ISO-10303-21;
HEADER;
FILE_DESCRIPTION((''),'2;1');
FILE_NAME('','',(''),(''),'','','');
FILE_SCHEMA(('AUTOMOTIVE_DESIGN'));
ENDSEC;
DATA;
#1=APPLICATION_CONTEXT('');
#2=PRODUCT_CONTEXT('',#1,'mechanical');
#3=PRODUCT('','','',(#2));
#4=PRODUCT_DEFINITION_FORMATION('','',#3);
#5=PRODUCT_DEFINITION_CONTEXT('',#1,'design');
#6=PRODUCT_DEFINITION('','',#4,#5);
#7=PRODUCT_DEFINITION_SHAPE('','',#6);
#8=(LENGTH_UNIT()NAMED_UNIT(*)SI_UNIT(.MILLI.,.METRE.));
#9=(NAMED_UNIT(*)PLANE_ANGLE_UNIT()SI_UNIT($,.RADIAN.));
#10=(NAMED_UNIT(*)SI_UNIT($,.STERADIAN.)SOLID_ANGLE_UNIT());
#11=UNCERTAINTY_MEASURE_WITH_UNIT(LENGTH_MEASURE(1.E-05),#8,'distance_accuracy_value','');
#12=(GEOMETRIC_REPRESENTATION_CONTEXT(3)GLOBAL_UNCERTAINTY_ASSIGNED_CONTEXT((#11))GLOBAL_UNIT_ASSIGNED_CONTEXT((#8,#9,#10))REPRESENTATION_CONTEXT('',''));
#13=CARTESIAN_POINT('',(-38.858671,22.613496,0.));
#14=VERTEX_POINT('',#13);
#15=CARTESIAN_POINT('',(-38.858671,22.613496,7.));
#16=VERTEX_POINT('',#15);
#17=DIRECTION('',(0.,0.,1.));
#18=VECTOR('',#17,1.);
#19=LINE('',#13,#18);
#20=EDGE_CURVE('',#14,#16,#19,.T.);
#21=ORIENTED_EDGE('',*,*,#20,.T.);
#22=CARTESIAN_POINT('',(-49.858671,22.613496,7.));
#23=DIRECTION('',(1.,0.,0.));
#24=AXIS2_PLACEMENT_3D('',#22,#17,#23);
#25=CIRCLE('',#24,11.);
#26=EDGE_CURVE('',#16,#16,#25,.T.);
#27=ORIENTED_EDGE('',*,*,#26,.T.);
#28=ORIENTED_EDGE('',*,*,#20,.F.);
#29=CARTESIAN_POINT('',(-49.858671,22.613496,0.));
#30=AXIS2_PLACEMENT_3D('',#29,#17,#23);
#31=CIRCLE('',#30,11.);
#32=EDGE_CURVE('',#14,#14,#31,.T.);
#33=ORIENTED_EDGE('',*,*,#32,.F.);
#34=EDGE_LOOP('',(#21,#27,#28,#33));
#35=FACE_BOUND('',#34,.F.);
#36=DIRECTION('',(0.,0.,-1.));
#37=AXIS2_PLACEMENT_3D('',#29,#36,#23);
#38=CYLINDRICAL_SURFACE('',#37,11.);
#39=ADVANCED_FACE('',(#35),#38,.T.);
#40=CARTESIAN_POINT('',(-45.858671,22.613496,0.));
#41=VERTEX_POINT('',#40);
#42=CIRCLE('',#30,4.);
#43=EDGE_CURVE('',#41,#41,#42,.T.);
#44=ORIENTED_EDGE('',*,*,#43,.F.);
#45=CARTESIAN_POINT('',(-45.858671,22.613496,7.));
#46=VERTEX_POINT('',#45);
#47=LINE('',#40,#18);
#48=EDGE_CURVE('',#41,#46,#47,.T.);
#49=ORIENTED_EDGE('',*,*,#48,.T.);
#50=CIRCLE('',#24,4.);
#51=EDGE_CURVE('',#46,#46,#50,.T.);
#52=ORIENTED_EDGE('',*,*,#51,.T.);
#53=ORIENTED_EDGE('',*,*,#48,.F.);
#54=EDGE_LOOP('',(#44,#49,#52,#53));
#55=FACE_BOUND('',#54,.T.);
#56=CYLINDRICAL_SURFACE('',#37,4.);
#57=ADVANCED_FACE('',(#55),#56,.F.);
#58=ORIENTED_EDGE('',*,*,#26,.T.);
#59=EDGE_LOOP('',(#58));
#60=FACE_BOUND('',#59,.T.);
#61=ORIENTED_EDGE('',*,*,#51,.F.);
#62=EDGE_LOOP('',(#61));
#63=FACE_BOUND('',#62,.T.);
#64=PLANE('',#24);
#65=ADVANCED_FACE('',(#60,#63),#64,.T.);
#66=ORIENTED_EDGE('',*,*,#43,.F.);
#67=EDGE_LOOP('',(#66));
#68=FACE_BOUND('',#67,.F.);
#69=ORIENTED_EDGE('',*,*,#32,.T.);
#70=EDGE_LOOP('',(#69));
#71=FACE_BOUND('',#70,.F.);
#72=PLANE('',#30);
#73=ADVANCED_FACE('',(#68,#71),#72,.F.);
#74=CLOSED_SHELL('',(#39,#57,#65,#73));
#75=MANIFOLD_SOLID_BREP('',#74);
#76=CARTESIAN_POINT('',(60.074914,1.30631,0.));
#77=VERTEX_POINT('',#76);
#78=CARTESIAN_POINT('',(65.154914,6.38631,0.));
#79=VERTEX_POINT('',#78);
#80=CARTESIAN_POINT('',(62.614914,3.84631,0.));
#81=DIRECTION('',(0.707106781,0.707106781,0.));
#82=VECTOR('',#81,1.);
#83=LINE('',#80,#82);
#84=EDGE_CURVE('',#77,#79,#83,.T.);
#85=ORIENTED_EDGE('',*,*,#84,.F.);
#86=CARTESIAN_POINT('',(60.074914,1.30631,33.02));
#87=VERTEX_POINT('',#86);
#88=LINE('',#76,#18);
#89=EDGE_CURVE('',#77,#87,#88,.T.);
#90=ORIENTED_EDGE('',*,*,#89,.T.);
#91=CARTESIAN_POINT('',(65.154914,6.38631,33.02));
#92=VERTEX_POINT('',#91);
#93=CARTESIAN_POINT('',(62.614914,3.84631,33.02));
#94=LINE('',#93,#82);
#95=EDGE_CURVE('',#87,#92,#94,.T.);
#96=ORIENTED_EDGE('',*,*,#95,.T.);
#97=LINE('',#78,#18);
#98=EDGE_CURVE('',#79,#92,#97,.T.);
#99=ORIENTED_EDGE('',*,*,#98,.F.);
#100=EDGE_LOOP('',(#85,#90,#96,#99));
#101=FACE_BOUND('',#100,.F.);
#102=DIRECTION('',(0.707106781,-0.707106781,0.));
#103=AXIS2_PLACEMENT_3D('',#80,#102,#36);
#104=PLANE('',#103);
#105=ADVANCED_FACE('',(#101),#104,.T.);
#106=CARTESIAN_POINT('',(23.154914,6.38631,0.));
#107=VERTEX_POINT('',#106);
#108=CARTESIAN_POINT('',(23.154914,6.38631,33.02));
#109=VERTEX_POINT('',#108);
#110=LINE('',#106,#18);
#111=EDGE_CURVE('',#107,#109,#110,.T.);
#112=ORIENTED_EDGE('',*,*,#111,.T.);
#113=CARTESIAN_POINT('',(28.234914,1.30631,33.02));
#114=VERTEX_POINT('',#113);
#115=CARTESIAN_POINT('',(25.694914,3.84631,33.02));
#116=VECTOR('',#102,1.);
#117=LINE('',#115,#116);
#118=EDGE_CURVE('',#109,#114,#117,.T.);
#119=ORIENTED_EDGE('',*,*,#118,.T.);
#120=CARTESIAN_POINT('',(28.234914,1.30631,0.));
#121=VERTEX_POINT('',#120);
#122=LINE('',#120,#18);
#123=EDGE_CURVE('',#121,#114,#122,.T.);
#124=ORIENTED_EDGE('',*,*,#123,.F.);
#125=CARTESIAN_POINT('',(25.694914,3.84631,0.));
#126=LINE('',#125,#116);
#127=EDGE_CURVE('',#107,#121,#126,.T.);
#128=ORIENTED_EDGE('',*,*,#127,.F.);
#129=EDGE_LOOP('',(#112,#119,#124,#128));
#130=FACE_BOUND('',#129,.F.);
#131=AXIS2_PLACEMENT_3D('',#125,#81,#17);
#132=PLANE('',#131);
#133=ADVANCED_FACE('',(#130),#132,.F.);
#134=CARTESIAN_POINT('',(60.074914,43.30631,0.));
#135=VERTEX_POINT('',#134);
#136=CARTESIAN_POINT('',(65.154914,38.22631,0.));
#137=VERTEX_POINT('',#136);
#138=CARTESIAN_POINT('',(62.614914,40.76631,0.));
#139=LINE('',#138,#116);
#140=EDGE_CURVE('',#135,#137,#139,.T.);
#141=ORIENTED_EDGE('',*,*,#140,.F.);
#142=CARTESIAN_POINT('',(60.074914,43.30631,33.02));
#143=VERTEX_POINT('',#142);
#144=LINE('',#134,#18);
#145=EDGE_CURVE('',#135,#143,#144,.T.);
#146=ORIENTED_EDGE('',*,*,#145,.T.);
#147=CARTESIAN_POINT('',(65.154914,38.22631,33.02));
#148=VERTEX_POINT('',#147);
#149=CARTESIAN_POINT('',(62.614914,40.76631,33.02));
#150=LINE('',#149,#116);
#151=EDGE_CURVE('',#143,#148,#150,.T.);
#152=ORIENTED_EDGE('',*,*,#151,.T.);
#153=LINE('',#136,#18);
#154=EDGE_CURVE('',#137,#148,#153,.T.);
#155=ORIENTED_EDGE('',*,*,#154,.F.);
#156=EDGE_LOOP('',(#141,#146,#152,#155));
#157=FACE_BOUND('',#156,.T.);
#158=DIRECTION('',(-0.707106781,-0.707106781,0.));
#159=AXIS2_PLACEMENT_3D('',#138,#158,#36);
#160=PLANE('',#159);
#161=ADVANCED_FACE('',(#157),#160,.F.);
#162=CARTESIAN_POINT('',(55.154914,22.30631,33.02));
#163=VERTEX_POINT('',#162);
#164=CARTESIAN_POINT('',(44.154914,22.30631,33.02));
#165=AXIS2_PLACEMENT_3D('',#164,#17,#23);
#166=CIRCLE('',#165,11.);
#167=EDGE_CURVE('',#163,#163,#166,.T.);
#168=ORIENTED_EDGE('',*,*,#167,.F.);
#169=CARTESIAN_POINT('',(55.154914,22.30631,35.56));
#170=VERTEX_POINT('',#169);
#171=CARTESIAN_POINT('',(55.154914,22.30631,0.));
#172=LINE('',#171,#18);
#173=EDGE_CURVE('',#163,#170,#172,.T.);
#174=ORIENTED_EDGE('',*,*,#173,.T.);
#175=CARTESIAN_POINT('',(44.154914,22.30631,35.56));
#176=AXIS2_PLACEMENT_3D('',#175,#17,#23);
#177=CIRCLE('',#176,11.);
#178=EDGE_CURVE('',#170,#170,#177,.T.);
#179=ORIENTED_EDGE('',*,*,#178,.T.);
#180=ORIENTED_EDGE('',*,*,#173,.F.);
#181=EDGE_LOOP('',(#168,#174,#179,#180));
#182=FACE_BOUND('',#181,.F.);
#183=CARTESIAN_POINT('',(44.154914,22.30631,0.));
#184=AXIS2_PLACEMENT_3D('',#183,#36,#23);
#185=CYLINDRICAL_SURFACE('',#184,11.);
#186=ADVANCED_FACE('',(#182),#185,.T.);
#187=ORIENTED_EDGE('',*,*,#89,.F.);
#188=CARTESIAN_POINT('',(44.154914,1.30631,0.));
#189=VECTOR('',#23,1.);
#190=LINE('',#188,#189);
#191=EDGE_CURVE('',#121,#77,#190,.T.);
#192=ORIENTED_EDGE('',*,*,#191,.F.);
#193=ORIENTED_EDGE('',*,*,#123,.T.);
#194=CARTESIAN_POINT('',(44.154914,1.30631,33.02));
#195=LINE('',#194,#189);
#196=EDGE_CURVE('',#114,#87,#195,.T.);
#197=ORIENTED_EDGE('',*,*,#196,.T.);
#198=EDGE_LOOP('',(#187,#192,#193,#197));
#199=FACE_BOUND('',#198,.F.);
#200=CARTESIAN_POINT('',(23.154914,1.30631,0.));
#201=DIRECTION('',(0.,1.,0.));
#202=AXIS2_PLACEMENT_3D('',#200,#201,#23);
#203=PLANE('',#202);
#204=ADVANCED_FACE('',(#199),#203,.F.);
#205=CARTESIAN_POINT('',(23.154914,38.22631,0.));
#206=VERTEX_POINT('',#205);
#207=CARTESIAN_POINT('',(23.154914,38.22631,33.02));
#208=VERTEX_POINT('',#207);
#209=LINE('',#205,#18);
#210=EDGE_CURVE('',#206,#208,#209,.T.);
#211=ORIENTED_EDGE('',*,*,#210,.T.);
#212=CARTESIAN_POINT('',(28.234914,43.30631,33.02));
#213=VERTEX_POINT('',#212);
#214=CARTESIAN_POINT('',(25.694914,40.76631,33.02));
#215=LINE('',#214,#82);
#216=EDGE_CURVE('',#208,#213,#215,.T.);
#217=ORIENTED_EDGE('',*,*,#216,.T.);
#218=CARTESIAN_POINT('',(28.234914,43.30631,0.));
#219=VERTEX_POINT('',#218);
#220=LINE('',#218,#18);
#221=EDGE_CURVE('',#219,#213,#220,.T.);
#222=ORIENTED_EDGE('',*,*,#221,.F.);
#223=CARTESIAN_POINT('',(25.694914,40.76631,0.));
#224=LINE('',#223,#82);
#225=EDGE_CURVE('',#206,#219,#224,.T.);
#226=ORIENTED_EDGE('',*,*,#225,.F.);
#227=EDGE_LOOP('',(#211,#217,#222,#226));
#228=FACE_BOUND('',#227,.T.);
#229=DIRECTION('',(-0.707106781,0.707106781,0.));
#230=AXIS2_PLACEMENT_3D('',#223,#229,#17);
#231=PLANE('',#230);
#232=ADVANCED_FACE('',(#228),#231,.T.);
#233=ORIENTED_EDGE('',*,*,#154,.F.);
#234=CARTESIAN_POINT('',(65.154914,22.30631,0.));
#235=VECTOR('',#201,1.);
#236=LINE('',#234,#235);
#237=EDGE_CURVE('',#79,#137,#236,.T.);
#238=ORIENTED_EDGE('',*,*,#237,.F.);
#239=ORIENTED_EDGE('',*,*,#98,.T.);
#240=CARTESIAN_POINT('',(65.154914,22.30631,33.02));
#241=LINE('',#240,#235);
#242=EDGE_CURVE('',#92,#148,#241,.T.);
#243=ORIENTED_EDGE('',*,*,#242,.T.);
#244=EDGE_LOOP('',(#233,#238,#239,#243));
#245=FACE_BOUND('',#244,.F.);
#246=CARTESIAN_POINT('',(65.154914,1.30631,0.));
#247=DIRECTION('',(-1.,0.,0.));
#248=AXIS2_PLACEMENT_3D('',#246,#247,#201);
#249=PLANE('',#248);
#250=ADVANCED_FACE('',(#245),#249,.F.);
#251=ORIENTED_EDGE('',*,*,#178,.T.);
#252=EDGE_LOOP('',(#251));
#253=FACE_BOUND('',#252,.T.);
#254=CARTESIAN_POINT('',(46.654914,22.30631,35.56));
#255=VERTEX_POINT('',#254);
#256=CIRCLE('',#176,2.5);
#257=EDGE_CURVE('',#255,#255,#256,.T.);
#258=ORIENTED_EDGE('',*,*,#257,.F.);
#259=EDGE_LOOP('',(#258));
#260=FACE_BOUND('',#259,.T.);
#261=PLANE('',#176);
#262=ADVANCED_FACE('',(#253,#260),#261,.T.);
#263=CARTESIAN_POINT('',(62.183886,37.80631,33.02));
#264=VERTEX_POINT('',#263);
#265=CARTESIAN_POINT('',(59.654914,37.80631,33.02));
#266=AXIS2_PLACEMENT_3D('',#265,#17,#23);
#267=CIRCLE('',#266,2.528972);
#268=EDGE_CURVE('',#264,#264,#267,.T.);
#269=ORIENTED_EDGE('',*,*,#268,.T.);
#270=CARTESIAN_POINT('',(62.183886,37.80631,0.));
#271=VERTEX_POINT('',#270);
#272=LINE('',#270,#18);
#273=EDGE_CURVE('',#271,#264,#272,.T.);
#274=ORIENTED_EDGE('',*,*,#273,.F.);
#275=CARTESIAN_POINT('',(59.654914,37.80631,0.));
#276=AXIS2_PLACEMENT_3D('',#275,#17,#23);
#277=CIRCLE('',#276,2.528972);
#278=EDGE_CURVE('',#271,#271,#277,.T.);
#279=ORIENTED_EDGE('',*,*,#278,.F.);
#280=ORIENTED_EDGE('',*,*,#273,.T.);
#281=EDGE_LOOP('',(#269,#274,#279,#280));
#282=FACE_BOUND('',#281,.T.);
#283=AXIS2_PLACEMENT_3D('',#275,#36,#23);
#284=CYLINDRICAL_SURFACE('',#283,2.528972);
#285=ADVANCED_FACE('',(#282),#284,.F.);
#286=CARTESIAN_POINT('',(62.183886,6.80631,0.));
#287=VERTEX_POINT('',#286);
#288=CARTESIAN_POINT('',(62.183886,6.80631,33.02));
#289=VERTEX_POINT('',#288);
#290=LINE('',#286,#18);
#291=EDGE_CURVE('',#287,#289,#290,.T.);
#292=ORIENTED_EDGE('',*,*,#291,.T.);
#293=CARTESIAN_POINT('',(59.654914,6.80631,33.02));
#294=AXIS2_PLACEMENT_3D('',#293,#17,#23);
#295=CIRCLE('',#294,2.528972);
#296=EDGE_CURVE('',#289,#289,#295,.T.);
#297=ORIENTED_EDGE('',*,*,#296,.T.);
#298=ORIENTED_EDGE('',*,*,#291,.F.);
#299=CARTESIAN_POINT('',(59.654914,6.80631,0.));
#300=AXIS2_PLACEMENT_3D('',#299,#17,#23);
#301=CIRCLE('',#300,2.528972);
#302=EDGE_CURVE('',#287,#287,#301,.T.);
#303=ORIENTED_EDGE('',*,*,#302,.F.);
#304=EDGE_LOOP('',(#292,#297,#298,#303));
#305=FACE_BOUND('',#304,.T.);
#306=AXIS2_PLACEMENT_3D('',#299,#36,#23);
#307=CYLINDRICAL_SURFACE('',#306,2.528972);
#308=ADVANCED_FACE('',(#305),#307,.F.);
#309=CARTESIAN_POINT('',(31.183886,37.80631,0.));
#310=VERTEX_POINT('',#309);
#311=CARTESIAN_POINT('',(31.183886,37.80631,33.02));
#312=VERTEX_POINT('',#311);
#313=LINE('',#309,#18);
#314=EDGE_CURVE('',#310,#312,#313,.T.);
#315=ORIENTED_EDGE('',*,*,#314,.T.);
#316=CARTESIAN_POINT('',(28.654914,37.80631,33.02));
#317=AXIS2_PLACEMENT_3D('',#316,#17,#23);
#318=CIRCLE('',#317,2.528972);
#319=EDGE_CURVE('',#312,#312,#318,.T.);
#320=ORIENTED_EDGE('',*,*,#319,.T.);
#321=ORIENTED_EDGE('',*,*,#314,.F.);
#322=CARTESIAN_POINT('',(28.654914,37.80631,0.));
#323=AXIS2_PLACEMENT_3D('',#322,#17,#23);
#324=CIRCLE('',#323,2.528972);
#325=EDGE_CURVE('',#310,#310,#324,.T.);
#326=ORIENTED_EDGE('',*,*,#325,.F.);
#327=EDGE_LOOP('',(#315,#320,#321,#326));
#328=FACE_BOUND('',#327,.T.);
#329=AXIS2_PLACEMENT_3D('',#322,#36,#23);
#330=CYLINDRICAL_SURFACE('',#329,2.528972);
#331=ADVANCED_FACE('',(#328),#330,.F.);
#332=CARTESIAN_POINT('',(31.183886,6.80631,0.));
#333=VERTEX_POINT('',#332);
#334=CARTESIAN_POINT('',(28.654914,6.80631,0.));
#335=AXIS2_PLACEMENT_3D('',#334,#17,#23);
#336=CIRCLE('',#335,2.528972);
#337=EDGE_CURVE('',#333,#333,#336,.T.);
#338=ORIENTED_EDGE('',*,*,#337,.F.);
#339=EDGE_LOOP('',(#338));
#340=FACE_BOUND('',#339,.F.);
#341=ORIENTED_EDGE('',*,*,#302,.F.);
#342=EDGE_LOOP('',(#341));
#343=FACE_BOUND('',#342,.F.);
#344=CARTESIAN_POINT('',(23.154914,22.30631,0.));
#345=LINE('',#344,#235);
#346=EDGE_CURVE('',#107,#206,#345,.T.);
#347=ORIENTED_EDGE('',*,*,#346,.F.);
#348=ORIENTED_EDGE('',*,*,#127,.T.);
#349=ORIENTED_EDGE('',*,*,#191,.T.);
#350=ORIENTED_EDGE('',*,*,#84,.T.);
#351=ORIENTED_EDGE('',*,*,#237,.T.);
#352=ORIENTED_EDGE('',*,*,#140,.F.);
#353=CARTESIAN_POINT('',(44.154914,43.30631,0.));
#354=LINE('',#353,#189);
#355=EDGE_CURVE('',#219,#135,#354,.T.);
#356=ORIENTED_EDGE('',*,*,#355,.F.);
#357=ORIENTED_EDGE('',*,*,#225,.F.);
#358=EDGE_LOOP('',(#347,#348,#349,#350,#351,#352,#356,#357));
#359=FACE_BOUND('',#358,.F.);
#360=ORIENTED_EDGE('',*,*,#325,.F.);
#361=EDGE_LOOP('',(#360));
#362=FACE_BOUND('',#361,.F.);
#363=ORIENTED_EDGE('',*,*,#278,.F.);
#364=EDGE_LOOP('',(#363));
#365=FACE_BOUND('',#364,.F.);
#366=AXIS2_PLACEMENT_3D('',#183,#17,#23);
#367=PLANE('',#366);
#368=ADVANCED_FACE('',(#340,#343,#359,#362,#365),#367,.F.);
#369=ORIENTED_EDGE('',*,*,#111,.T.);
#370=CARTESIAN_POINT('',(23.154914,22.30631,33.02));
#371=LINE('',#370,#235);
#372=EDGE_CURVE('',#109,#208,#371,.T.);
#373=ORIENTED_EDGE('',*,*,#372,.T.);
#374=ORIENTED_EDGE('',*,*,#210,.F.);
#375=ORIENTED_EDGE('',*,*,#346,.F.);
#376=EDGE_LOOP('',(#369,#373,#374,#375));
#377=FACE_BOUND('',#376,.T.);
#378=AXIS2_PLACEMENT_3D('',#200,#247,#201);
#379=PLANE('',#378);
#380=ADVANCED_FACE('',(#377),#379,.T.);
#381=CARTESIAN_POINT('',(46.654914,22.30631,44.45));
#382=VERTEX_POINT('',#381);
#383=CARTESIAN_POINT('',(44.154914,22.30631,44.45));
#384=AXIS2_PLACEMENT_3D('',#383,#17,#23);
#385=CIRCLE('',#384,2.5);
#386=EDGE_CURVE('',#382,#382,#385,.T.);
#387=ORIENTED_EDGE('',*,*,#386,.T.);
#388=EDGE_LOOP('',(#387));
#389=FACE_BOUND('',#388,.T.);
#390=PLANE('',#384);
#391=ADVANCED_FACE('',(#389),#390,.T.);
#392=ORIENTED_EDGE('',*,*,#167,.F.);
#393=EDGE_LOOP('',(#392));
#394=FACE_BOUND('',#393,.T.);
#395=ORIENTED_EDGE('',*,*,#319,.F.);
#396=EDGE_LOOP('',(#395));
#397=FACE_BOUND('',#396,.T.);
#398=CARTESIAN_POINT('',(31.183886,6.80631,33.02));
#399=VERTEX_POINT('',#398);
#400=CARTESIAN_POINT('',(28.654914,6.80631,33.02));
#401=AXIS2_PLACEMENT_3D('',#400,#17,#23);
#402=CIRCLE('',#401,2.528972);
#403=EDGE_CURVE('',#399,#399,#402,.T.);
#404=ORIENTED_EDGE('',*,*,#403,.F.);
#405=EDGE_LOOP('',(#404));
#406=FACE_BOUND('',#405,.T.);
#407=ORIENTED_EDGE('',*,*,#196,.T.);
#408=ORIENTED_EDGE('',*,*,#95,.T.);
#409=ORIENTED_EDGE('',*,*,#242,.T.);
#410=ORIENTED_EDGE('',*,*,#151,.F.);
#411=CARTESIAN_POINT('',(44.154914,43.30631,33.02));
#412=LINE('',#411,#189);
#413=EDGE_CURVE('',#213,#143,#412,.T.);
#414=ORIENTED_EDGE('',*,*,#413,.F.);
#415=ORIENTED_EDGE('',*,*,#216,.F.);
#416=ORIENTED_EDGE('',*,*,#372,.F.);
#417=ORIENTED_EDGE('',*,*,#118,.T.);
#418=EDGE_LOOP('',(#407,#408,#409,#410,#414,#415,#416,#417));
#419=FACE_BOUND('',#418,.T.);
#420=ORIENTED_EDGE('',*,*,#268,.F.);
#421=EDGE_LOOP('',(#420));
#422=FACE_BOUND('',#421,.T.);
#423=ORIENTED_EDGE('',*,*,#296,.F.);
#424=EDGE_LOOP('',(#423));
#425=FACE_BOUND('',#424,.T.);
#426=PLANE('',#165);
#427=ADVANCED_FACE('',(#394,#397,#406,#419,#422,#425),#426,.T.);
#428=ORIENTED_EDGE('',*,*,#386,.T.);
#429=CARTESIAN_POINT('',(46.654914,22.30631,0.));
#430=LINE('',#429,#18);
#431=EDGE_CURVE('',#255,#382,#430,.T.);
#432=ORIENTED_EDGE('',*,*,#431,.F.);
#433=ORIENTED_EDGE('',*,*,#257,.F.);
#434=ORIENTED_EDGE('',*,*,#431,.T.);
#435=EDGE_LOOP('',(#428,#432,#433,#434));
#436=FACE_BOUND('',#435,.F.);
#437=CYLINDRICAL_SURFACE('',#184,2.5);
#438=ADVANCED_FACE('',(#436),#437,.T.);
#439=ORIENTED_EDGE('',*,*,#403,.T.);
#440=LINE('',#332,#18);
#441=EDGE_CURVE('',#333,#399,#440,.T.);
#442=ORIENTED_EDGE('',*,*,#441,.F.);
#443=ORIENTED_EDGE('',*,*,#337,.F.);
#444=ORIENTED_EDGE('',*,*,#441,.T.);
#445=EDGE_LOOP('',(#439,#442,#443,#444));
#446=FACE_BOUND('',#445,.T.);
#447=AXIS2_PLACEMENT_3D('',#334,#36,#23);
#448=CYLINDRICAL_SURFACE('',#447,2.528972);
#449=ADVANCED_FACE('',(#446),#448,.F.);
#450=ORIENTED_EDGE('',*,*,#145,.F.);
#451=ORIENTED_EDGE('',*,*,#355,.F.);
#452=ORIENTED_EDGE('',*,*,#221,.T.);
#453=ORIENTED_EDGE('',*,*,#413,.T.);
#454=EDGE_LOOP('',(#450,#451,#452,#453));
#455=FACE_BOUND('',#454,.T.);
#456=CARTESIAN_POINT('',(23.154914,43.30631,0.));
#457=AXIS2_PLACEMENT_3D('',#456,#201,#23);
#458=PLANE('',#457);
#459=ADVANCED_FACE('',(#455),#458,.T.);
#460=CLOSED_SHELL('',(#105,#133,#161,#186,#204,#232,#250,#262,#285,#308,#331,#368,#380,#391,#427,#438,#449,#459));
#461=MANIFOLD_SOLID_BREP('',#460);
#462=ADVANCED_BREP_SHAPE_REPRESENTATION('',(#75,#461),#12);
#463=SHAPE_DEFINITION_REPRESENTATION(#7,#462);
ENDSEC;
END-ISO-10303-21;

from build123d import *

# Parameters (mm, degrees)
F0_R     = 11
F0_R_2   = 4
F1_DEPTH = 7
F2_W     = 42
F2_H     = 42
F2_R     = 2.528972
F2_R_2   = 11
F3_DEPTH = 33.02
F2_R_3   = 2.5
F4_DEPTH = 35.56
F5_DEPTH = 44.45
F6_SIZE  = 5.08


with BuildPart() as f1:
    # F0 (on Top) → F1 (new body)
    with BuildSketch(Plane.XY):
        with Locations((-49.858671, 22.613496)):
            Circle(F0_R)
        with Locations((-49.858671, 22.613496)):
            Circle(F0_R_2, mode=Mode.SUBTRACT)
    extrude(amount=F1_DEPTH)


with BuildPart() as f3:
    # F2 (on Top) → F3 (new body)
    with BuildSketch(Plane.XY):
        with Locations((44.154914, 22.30631)):
            Rectangle(F2_W, F2_H)
        with Locations((28.654914, 6.80631)):
            Circle(F2_R, mode=Mode.SUBTRACT)
        with Locations((59.654914, 6.80631)):
            Circle(F2_R, mode=Mode.SUBTRACT)
        with Locations((28.654914, 37.80631)):
            Circle(F2_R, mode=Mode.SUBTRACT)
        with Locations((44.154914, 22.30631)):
            Circle(F2_R_2, mode=Mode.SUBTRACT)
        with Locations((59.654914, 37.80631)):
            Circle(F2_R, mode=Mode.SUBTRACT)
    extrude(amount=F3_DEPTH)

    # F2 (on Top) → F4 (join)
    with BuildSketch(Plane.XY):
        with Locations((44.154914, 22.30631)):
            Circle(F2_R_2)
        with Locations((44.154914, 22.30631)):
            Circle(F2_R_3, mode=Mode.SUBTRACT)
    extrude(amount=F4_DEPTH)

    # F2 (on Top) → F5 (join)
    with BuildSketch(Plane.XY):
        with Locations((44.154914, 22.30631)):
            Circle(F2_R_3)
    extrude(amount=F5_DEPTH)

    # F6
    f6_edges = [f3.edges().sort_by_distance(p)[0] for p in [
        (23.154914, 43.30631, 16.51),
        (23.154914, 1.30631, 16.51),
        (65.154914, 1.30631, 16.51),
        (65.154914, 43.30631, 16.51),
    ]]
    chamfer(f6_edges, length=F6_SIZE)


solid = Compound([f1.part, f3.part])
